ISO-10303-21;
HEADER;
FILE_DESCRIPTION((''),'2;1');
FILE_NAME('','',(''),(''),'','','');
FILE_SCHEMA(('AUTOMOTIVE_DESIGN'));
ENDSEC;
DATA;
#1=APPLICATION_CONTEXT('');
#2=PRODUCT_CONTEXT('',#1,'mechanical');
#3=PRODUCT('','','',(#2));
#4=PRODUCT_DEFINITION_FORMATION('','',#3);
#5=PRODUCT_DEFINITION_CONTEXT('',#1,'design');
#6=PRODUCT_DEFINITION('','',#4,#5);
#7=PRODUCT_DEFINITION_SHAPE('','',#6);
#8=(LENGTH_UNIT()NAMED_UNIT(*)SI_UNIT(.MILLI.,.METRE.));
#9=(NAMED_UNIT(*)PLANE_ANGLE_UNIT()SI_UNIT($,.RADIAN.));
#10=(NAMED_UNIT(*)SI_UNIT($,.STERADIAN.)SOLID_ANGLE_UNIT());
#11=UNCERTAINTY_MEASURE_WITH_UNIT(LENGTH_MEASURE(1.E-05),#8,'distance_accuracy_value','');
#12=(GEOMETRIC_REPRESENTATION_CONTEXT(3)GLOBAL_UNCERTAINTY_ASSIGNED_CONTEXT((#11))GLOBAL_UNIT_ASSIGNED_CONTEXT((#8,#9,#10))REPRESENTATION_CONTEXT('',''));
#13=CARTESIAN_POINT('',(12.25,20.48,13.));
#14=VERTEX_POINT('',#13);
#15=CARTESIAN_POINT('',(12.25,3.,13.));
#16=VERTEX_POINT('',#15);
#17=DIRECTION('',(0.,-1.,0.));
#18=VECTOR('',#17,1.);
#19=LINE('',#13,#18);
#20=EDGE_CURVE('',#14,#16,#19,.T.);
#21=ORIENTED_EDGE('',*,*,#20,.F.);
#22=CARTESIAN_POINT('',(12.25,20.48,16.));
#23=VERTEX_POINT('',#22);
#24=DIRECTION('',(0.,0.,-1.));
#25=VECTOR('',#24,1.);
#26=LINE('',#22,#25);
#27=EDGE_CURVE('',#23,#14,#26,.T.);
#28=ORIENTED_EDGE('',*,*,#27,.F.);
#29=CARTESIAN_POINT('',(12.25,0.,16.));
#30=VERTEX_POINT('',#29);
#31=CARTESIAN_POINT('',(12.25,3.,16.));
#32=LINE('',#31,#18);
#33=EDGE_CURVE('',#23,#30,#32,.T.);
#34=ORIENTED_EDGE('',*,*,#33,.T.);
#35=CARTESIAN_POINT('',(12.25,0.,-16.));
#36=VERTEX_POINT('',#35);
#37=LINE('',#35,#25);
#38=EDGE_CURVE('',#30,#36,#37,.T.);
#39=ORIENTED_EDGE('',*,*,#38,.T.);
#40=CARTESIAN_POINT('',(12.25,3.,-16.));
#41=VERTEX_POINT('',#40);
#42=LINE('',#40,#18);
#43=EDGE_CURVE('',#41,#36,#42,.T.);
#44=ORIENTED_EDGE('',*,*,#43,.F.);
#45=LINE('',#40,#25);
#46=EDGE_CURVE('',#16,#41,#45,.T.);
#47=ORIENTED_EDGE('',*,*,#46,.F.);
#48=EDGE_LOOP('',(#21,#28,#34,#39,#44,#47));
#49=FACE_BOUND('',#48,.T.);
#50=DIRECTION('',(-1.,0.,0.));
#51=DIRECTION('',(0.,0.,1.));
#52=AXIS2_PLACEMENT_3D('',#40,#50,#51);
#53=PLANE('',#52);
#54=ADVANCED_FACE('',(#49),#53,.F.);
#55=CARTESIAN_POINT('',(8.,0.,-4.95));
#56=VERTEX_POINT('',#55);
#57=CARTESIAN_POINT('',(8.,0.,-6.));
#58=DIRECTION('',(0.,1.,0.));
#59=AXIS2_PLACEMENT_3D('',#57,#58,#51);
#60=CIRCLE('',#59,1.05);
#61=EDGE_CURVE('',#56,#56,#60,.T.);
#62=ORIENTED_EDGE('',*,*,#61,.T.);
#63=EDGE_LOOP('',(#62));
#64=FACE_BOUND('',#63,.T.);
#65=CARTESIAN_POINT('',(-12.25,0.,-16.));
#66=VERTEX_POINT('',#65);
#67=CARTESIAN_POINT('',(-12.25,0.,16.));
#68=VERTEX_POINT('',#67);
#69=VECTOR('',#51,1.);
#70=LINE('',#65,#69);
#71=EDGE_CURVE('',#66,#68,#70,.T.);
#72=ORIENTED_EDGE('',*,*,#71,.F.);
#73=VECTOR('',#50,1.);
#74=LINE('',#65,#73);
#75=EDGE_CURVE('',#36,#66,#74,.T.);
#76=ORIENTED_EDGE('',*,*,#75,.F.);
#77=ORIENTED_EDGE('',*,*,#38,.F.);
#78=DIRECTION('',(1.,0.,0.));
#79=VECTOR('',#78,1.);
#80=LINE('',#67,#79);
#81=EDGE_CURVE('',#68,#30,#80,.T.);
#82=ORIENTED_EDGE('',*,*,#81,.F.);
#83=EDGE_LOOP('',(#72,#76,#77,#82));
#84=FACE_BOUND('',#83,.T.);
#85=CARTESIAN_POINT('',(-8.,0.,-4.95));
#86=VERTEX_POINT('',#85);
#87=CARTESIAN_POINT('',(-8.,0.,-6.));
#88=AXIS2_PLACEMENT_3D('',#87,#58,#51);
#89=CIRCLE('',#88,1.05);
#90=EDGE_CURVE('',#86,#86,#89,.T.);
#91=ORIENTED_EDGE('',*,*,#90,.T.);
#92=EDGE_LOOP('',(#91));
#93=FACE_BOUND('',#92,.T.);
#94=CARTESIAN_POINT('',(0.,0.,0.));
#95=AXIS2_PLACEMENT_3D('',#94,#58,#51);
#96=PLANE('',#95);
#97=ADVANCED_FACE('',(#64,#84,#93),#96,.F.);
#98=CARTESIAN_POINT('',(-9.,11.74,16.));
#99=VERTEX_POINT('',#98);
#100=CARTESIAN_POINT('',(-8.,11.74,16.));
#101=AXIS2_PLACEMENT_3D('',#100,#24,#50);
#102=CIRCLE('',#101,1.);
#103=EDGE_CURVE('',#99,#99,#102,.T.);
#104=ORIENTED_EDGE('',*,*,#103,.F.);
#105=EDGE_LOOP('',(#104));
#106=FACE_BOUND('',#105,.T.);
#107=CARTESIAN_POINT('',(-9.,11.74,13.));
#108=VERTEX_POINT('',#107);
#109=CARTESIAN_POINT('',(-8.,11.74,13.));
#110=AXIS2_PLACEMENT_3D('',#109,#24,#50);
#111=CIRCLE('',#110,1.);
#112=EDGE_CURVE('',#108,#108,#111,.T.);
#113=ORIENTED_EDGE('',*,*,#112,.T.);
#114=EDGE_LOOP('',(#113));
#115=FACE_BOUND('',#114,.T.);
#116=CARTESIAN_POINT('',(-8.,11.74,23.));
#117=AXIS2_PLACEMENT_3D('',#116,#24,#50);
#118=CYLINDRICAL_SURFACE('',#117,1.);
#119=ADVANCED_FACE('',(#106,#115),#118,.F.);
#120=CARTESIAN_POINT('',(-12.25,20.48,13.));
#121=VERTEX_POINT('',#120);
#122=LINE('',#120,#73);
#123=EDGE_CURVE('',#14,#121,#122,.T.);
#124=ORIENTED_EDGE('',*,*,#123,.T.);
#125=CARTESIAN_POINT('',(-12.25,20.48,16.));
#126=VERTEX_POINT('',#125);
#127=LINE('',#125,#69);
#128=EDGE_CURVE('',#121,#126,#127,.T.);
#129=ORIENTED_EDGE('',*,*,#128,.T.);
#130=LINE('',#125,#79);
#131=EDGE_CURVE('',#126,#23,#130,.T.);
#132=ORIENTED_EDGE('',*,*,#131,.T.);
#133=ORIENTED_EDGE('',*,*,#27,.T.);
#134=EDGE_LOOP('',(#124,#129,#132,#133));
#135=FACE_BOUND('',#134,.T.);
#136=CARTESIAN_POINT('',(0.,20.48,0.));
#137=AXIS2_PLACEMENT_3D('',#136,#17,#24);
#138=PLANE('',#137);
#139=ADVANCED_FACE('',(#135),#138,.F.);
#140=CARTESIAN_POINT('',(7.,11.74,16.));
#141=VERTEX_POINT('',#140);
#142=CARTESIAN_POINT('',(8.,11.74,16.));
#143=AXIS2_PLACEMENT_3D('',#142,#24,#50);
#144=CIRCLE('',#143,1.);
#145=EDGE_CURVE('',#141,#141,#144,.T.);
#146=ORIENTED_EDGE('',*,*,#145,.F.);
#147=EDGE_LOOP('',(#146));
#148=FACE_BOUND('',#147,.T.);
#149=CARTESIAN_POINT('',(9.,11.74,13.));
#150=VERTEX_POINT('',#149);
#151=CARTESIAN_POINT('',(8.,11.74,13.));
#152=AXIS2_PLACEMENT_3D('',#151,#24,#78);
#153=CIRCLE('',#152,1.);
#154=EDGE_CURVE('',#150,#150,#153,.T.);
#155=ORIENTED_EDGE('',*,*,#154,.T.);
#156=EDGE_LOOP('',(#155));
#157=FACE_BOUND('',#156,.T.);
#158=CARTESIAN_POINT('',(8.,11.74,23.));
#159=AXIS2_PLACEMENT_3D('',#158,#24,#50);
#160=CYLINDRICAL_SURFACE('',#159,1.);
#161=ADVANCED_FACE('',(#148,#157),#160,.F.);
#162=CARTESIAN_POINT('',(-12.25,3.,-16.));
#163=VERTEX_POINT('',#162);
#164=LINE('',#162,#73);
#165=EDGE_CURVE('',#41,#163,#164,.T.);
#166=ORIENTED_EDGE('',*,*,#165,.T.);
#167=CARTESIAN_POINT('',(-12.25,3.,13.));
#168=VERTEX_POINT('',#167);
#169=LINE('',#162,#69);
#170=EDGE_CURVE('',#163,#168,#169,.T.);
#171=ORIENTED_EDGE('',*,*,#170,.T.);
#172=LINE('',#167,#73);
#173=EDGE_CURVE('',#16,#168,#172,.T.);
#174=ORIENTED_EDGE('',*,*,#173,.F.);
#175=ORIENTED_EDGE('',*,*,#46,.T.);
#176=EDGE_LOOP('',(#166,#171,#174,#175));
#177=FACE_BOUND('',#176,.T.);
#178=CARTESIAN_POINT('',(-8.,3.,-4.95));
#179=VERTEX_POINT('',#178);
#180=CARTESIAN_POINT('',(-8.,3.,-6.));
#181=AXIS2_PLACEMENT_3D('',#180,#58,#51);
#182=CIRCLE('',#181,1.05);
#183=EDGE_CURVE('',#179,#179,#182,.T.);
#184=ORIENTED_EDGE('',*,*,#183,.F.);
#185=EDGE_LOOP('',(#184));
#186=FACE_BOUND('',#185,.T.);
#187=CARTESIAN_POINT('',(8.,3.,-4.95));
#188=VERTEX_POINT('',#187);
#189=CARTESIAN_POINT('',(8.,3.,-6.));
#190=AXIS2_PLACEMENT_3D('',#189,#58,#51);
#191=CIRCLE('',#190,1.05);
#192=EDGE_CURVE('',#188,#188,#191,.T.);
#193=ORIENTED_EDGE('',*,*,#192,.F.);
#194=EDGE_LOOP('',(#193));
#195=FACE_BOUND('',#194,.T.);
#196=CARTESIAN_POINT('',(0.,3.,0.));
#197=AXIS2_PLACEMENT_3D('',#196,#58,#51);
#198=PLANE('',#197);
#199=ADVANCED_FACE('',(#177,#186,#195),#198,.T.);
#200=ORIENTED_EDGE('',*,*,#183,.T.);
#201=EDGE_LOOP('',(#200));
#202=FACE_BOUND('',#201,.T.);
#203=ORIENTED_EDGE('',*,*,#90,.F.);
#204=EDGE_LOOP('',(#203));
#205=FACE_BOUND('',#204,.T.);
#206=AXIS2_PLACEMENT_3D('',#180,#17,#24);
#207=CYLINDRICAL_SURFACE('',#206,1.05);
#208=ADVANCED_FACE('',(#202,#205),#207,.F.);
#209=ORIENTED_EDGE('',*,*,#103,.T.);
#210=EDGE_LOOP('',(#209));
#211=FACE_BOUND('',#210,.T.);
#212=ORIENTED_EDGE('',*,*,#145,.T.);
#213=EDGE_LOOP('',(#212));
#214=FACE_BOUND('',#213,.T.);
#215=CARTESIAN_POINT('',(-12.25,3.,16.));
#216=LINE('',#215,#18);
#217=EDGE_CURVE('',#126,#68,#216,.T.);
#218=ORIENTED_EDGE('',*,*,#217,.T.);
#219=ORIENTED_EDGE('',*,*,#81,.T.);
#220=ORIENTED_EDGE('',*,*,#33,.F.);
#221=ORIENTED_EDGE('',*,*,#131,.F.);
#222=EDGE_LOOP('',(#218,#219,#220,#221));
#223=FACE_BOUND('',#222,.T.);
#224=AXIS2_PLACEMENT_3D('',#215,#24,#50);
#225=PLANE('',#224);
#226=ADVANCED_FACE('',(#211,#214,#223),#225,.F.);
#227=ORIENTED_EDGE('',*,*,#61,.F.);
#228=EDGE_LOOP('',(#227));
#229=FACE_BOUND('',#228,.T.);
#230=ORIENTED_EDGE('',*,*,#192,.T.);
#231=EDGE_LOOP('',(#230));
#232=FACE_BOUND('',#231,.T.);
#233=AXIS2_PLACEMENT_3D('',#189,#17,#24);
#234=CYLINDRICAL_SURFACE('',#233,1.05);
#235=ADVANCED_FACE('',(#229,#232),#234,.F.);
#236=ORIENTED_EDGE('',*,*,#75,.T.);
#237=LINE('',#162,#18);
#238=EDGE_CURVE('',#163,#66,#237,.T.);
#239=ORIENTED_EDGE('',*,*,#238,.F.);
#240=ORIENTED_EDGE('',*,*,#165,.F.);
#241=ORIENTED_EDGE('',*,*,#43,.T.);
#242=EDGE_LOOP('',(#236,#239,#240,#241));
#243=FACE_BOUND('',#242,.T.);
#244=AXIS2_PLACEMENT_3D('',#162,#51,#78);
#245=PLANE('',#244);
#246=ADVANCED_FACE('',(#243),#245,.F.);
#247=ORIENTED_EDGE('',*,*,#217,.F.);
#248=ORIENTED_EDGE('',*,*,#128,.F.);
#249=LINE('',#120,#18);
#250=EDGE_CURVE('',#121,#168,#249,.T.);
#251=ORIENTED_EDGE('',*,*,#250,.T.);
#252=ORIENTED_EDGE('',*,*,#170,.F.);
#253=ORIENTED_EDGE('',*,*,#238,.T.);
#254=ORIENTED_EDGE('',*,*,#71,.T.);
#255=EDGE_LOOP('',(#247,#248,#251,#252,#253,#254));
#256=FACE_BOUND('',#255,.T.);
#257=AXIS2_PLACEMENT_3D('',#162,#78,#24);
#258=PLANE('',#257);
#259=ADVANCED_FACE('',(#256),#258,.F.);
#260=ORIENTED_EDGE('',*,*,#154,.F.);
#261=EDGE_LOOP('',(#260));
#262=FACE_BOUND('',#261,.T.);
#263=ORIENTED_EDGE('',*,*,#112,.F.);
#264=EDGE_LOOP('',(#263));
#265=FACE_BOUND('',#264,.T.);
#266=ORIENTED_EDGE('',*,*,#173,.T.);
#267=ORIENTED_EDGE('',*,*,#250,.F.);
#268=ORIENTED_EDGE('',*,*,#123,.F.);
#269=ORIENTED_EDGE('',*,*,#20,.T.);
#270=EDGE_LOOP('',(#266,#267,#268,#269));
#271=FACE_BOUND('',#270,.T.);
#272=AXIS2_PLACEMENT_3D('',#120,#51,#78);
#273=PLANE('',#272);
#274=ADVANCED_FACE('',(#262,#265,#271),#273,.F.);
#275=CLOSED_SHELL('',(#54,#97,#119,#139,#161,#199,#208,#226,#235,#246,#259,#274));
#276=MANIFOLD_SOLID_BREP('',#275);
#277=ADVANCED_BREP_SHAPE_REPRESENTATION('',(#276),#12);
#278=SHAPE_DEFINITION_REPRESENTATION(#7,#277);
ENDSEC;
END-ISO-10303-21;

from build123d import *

# Parameters (mm, degrees)
SKETCH1_W           = 24.5
SKETCH1_H           = 32
SKETCH1_R           = 1.05
BOSS_EXTRUDE1_DEPTH = 3
SKETCH3_W           = 24.5
SKETCH3_H           = 3
BOSS_EXTRUDE3_DEPTH = 17.48
SKETCH4_R           = 1
CUT_EXTRUDE1_DEPTH  = 10


with BuildPart() as part:
    # Sketch1 → Boss-Extrude1 (new body)
    with BuildSketch(Plane(origin=(0, 0, 0), x_dir=(1, 0, 0), z_dir=(0, 1, 0))):
        Rectangle(SKETCH1_W, SKETCH1_H)
        with Locations(Location((8, 6, 0), (0, 0, 270))):
            Circle(SKETCH1_R, mode=Mode.SUBTRACT)
        with Locations(Location((-8, 6, 0), (0, 0, 270))):
            Circle(SKETCH1_R, mode=Mode.SUBTRACT)
    extrude(amount=BOSS_EXTRUDE1_DEPTH)

    # Sketch3 → Boss-Extrude3 (add)
    with BuildSketch(Plane(origin=(0, 3, 0), x_dir=(1, 0, 0), z_dir=(0, 1, 0))):
        with Locations((0, -14.5)):
            Rectangle(SKETCH3_W, SKETCH3_H)
    extrude(amount=BOSS_EXTRUDE3_DEPTH)

    # Sketch4 → Cut-Extrude1 (cut)
    with BuildSketch(Plane(origin=(0, 0, 13), x_dir=(-1, 0, 0), z_dir=(0, 0, -1))):
        with Locations((8, 11.74)):
            Circle(SKETCH4_R)
        with Locations((-8, 11.74)):
            Circle(SKETCH4_R)
    extrude(amount=-CUT_EXTRUDE1_DEPTH, mode=Mode.SUBTRACT)


solid = part.part
